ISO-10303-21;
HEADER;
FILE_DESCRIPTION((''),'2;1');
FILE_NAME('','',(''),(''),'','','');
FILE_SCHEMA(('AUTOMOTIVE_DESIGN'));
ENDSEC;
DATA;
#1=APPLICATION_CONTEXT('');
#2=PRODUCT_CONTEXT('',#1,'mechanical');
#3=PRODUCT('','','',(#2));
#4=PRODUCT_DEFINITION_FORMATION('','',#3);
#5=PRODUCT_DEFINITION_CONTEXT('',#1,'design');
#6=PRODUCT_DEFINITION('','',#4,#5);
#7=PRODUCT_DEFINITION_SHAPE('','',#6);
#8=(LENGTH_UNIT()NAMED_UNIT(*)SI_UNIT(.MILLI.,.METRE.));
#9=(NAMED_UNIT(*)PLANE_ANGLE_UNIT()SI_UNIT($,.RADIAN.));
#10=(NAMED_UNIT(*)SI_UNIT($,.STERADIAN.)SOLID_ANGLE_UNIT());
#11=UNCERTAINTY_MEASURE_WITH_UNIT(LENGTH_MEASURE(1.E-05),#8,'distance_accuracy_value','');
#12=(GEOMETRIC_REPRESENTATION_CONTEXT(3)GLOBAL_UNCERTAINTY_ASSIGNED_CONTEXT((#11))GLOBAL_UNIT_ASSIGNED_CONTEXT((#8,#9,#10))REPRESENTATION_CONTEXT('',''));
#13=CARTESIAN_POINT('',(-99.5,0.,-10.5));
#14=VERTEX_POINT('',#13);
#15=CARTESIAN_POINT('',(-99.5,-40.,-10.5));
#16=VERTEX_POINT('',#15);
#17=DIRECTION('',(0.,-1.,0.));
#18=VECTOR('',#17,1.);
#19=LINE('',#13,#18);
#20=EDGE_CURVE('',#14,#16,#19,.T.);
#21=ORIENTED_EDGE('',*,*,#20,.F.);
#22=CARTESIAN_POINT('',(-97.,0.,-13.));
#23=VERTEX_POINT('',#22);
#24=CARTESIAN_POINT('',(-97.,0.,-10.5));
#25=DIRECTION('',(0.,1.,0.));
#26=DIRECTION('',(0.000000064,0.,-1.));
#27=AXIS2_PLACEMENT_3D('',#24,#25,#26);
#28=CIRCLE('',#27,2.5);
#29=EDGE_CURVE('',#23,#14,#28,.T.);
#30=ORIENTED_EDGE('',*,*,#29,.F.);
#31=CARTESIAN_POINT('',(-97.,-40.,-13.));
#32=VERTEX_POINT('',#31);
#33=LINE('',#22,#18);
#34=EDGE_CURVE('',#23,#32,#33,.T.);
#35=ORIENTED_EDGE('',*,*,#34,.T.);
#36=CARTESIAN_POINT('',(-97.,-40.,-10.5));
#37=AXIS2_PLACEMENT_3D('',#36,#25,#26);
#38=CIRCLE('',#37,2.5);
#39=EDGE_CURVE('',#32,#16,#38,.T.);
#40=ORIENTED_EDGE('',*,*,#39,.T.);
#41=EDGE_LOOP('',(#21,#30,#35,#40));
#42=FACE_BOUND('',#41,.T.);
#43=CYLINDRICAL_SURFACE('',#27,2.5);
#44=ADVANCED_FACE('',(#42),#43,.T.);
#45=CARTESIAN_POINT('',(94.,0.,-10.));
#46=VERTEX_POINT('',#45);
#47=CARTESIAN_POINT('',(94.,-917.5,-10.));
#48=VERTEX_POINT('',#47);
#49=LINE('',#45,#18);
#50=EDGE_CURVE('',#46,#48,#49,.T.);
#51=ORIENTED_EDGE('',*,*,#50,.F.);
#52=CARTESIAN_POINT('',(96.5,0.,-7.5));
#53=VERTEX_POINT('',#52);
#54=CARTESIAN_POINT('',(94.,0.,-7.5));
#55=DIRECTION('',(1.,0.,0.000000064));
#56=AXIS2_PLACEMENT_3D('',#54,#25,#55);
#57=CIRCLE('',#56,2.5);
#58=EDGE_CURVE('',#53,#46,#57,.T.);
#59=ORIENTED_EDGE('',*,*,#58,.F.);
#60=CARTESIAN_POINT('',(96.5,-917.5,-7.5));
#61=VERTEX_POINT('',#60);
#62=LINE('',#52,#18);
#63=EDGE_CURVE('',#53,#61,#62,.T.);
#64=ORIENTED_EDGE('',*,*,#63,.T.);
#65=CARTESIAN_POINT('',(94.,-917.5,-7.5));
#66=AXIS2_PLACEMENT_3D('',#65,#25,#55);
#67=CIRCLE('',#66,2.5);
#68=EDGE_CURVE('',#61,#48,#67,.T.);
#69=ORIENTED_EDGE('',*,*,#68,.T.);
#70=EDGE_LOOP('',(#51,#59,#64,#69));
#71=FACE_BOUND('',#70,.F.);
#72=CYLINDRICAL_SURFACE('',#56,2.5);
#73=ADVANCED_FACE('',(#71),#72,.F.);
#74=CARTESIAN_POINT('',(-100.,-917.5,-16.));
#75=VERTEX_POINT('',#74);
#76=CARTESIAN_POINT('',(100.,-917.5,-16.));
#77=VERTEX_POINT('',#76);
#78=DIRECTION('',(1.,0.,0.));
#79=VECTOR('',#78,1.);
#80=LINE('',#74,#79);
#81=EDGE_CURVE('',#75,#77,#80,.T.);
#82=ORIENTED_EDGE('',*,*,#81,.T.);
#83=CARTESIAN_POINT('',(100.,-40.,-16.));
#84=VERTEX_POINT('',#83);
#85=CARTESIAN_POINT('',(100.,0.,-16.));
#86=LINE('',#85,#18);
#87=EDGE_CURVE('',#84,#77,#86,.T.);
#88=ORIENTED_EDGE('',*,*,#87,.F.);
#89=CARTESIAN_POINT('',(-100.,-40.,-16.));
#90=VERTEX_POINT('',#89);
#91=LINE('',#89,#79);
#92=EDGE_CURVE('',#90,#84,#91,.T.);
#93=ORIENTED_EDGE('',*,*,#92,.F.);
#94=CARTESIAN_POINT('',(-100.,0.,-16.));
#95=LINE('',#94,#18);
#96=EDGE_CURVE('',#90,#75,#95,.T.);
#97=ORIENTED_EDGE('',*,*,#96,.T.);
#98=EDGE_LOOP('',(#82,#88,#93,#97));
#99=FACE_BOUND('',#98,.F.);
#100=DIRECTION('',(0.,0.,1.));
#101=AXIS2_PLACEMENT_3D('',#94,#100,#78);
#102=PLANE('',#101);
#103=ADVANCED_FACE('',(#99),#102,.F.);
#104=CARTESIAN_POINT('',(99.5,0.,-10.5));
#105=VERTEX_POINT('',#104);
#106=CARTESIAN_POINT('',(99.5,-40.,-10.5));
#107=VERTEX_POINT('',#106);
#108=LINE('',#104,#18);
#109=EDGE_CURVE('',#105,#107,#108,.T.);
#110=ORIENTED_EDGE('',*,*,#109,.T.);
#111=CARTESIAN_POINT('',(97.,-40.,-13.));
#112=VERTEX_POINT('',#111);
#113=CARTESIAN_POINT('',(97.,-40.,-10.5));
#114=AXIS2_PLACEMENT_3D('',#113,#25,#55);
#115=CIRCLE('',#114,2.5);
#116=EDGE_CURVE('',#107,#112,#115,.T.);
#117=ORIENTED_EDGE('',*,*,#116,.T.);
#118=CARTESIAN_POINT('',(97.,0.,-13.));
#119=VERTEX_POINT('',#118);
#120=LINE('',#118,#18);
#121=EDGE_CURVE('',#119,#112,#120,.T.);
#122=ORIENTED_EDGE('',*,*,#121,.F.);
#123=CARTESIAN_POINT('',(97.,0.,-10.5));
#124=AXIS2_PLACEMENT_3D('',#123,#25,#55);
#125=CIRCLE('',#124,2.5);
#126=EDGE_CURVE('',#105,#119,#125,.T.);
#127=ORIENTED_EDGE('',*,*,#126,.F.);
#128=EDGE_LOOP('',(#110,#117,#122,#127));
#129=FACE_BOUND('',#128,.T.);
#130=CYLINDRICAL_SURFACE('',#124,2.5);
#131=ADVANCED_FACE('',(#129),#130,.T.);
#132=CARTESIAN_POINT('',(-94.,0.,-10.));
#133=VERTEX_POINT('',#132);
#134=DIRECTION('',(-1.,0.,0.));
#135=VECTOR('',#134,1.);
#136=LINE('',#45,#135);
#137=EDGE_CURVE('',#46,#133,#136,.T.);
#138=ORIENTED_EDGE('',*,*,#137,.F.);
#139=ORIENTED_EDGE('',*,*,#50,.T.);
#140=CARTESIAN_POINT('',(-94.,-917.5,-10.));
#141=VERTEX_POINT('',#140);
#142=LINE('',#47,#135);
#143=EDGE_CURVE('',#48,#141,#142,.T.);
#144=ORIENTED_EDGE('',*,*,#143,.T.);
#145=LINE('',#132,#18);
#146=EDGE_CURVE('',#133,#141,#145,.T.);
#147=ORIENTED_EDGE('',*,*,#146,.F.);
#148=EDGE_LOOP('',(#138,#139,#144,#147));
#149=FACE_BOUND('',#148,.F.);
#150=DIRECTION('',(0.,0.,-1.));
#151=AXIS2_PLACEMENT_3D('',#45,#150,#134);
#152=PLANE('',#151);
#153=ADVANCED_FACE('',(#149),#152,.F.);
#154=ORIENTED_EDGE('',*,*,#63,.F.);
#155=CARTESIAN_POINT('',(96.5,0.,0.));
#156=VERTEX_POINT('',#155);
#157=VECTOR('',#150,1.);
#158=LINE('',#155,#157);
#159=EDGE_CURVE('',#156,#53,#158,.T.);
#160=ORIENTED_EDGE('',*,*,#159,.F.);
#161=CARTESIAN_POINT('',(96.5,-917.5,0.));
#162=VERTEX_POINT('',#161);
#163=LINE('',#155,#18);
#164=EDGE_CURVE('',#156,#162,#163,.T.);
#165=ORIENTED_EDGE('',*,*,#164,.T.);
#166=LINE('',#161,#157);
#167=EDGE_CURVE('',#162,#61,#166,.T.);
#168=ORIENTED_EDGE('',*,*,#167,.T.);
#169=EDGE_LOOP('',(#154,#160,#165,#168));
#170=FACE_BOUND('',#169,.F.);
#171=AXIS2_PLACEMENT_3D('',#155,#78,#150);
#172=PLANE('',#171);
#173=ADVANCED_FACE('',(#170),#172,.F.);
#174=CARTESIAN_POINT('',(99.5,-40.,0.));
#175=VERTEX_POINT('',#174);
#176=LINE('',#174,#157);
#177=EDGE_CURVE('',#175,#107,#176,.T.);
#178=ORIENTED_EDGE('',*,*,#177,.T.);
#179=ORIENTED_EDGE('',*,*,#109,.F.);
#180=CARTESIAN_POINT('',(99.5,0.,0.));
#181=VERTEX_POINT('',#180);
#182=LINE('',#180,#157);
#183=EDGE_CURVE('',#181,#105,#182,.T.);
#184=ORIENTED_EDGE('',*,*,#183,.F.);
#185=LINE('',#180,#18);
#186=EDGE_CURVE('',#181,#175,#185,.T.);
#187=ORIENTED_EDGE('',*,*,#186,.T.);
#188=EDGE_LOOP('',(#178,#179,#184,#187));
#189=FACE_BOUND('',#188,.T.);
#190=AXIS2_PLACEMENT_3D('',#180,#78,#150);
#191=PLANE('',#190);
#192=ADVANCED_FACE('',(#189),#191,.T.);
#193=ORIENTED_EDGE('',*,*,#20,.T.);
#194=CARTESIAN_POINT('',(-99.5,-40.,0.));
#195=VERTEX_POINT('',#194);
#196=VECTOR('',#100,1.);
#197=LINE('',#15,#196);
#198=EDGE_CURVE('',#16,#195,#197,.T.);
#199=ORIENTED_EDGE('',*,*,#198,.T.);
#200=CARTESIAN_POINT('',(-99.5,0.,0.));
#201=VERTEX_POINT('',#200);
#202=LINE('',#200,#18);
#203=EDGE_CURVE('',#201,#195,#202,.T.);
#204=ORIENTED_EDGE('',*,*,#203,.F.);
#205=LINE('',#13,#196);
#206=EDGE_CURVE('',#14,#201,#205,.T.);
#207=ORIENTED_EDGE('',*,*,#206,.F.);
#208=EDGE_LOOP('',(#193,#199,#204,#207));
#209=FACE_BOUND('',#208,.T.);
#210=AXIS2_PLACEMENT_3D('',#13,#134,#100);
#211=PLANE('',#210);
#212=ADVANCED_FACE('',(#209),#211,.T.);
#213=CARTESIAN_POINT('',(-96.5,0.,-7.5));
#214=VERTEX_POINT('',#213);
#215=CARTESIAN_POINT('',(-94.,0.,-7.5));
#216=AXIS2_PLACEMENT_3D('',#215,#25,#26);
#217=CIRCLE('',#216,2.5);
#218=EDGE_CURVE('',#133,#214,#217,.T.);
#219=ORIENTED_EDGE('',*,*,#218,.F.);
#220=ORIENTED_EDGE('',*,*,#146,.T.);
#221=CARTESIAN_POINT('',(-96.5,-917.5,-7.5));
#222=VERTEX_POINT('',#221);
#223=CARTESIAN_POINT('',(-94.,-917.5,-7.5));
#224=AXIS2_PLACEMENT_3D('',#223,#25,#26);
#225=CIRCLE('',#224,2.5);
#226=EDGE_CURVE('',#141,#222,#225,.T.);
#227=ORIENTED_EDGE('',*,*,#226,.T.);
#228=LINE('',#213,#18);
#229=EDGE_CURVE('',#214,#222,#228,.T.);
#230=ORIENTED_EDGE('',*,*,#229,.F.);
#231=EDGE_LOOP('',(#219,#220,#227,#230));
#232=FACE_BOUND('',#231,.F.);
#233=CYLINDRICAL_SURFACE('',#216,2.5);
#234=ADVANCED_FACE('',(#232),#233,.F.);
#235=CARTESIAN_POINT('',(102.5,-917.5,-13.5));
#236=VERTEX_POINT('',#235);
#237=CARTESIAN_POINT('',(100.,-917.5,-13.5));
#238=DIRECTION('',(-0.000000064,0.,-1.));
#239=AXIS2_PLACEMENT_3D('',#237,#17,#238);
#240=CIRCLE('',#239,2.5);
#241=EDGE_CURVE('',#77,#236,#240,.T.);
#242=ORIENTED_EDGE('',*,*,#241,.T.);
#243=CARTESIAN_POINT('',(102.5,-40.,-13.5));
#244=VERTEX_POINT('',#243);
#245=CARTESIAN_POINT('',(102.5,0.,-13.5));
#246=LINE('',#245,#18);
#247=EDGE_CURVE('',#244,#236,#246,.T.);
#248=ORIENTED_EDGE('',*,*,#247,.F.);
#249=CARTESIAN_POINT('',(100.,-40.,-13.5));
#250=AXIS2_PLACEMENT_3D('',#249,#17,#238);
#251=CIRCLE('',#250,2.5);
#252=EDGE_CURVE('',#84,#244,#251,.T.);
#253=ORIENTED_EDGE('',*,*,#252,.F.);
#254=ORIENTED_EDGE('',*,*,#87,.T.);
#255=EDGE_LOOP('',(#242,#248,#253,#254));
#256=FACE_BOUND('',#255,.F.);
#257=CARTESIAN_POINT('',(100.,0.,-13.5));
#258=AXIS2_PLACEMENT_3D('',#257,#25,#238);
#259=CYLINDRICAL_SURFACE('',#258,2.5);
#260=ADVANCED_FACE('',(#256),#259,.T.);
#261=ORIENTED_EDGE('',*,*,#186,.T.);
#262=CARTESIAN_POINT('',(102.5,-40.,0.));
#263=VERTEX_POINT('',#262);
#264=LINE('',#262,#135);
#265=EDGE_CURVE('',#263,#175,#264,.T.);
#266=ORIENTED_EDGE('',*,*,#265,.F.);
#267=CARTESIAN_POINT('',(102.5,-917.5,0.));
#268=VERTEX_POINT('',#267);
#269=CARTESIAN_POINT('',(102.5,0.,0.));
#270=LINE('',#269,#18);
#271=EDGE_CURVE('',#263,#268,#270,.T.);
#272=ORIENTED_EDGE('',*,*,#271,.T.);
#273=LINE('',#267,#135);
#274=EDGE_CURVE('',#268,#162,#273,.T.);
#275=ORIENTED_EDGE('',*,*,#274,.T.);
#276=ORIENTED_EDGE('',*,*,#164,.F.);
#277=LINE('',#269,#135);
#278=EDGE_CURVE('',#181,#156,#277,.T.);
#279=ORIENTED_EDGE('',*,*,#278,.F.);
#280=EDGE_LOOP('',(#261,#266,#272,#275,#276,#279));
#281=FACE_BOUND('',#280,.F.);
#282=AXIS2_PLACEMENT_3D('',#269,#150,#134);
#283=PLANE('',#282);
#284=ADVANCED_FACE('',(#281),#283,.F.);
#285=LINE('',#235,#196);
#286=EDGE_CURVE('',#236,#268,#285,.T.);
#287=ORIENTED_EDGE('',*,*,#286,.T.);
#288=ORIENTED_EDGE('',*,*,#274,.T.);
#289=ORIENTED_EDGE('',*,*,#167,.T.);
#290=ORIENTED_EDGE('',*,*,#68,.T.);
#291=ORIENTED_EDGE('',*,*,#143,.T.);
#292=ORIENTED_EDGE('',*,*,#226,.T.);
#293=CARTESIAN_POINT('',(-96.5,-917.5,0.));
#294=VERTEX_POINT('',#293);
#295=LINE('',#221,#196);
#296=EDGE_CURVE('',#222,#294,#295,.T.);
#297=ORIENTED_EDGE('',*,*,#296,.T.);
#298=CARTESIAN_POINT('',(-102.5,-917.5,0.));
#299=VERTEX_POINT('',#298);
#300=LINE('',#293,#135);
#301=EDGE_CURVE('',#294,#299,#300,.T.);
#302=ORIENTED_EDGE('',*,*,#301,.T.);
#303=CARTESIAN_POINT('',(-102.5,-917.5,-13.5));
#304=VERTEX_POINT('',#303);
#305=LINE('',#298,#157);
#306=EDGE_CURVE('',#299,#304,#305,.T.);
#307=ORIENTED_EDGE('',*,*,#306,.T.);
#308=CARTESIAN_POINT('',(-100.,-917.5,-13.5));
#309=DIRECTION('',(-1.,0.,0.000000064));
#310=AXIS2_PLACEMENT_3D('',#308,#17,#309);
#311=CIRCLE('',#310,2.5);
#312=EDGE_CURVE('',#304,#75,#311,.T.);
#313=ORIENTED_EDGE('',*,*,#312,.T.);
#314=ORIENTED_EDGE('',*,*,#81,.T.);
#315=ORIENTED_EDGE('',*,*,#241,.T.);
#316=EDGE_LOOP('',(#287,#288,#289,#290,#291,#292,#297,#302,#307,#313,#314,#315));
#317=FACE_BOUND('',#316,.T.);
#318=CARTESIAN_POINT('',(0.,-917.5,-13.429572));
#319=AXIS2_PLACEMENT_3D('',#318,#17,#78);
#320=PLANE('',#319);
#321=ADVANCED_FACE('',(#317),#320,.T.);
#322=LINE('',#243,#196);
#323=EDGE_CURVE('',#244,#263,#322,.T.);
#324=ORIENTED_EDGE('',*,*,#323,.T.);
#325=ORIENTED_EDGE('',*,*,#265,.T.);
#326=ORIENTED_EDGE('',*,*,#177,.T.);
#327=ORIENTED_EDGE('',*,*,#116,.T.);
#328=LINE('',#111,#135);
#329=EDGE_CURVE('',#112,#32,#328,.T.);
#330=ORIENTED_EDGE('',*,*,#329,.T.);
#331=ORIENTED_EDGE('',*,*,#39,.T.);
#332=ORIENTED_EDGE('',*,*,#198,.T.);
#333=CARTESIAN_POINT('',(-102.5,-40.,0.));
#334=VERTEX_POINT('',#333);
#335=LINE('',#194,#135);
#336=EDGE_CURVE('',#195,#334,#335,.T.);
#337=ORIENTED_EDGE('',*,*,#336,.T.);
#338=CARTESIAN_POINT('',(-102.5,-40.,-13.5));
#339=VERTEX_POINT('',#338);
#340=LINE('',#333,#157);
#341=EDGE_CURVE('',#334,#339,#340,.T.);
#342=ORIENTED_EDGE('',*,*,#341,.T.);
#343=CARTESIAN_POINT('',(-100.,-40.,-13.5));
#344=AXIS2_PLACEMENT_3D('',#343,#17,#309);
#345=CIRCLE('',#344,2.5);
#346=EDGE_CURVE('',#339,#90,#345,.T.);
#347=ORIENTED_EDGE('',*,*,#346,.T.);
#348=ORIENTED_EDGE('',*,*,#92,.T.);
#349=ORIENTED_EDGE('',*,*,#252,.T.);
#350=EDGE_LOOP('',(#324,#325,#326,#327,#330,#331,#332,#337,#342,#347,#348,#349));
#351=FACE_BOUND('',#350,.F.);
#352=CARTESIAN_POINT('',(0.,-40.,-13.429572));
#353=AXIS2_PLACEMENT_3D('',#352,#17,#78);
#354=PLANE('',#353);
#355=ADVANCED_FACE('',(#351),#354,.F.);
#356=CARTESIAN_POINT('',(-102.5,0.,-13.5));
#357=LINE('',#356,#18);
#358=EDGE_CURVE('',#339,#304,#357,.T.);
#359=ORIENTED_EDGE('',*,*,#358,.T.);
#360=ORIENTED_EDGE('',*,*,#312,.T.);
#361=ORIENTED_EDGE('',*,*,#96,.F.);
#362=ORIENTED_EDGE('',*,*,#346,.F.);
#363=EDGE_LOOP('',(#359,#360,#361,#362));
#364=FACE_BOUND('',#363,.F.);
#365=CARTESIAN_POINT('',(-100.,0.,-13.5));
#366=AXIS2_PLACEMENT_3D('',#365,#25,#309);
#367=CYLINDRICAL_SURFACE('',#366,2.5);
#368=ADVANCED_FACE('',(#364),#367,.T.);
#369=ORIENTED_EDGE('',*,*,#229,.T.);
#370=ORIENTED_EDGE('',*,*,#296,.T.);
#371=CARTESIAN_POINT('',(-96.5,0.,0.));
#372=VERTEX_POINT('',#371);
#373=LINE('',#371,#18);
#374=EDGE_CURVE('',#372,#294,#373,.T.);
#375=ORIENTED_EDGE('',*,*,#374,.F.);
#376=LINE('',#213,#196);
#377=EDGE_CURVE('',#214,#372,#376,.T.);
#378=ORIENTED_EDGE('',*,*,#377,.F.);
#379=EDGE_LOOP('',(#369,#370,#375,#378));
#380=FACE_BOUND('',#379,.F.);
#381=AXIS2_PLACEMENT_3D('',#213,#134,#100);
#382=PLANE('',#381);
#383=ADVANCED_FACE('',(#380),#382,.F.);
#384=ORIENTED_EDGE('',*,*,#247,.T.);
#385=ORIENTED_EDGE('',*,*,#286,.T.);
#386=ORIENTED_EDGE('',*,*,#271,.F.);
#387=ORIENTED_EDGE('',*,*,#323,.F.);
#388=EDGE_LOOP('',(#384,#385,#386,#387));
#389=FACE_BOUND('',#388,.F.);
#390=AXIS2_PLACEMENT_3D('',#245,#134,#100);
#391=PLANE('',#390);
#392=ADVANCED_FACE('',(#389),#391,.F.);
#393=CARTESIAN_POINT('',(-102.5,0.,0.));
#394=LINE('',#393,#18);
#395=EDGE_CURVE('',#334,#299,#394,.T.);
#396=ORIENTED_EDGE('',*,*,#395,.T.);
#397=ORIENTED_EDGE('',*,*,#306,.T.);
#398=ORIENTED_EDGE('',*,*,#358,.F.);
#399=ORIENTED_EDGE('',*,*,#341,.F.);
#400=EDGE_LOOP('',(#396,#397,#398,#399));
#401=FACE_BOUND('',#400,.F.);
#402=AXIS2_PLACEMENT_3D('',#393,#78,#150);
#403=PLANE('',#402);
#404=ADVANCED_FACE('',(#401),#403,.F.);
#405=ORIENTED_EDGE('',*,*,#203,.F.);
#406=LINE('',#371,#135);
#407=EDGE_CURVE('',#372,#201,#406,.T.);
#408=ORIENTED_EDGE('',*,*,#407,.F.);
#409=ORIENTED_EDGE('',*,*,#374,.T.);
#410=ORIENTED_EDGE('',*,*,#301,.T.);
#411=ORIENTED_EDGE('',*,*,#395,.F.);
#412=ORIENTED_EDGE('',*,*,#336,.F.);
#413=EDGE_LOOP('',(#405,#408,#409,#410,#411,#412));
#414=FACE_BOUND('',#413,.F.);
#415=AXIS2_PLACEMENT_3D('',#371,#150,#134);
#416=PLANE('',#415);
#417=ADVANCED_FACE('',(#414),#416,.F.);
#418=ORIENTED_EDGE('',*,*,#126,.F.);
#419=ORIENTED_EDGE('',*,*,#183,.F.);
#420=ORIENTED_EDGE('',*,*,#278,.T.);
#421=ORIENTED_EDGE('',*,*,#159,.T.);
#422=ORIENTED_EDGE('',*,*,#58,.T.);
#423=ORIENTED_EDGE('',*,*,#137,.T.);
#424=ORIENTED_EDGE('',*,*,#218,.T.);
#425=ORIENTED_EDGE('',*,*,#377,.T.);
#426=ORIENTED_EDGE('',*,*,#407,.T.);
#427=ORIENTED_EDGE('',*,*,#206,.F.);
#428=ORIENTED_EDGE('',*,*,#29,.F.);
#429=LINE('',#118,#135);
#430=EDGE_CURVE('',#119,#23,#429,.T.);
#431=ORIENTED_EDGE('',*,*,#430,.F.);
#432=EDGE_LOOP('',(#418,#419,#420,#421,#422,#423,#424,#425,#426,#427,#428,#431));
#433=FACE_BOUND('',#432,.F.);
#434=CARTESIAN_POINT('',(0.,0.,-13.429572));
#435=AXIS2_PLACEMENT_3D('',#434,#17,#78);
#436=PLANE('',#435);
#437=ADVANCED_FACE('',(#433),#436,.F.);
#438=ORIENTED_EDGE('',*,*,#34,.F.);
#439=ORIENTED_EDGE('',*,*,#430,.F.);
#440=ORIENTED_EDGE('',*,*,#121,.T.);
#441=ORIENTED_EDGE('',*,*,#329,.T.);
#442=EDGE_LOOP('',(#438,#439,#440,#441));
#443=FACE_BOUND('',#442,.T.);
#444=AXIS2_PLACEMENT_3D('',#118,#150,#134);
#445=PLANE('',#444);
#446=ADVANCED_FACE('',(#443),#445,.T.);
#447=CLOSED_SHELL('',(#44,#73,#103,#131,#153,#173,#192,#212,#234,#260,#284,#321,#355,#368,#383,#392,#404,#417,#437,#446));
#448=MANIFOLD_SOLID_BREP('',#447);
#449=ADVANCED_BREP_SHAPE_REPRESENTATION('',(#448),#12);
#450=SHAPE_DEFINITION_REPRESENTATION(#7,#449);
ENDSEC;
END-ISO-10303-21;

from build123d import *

# Parameters (mm, degrees)
F1_DEPTH = 917.5
F2_DEPTH = 40


with BuildPart() as f1:
    # F0 (on Front) → F1 (new body)
    with BuildSketch(Plane.XZ):
        with BuildLine():
            ThreePointArc((-102.5, -13.5), (-101.767767, -15.267767), (-100, -16))
            Line((-100, -16), (100, -16))
            ThreePointArc((100, -16), (101.767767, -15.267767), (102.5, -13.5))
            Line((102.5, -13.5), (102.5, 0))
            Line((102.5, 0), (99.5, 0))
            Line((99.5, 0), (99.5, -10.5))
            ThreePointArc((99.5, -10.5), (98.767767, -12.267767), (97, -13))
            Line((97, -13), (-97, -13))
            ThreePointArc((-97, -13), (-98.767767, -12.267767), (-99.5, -10.5))
            Line((-99.5, -10.5), (-99.5, 0))
            Line((-99.5, 0), (-102.5, 0))
            Line((-102.5, 0), (-102.5, -13.5))
        make_face()
        with BuildLine():
            Line((-96.5, 0), (-99.5, 0))
            Line((-99.5, 0), (-99.5, -10.5))
            ThreePointArc((-99.5, -10.5), (-98.767767, -12.267767), (-97, -13))
            Line((-97, -13), (97, -13))
            ThreePointArc((97, -13), (98.767767, -12.267767), (99.5, -10.5))
            Line((99.5, -10.5), (99.5, 0))
            Line((99.5, 0), (96.5, 0))
            Line((96.5, 0), (96.5, -7.5))
            ThreePointArc((96.5, -7.5), (95.767767, -9.267767), (94, -10))
            Line((94, -10), (-94, -10))
            ThreePointArc((-94, -10), (-95.767767, -9.267767), (-96.5, -7.5))
            Line((-96.5, -7.5), (-96.5, 0))
        make_face()
    extrude(amount=F1_DEPTH)

    # F0 (on Front) → F2 (cut)
    with BuildSketch(Plane.XZ):
        with BuildLine():
            ThreePointArc((-102.5, -13.5), (-101.767767, -15.267767), (-100, -16))
            Line((-100, -16), (100, -16))
            ThreePointArc((100, -16), (101.767767, -15.267767), (102.5, -13.5))
            Line((102.5, -13.5), (102.5, 0))
            Line((102.5, 0), (99.5, 0))
            Line((99.5, 0), (99.5, -10.5))
            ThreePointArc((99.5, -10.5), (98.767767, -12.267767), (97, -13))
            Line((97, -13), (-97, -13))
            ThreePointArc((-97, -13), (-98.767767, -12.267767), (-99.5, -10.5))
            Line((-99.5, -10.5), (-99.5, 0))
            Line((-99.5, 0), (-102.5, 0))
            Line((-102.5, 0), (-102.5, -13.5))
        make_face()
    extrude(amount=F2_DEPTH, mode=Mode.SUBTRACT)


solid = f1.part
